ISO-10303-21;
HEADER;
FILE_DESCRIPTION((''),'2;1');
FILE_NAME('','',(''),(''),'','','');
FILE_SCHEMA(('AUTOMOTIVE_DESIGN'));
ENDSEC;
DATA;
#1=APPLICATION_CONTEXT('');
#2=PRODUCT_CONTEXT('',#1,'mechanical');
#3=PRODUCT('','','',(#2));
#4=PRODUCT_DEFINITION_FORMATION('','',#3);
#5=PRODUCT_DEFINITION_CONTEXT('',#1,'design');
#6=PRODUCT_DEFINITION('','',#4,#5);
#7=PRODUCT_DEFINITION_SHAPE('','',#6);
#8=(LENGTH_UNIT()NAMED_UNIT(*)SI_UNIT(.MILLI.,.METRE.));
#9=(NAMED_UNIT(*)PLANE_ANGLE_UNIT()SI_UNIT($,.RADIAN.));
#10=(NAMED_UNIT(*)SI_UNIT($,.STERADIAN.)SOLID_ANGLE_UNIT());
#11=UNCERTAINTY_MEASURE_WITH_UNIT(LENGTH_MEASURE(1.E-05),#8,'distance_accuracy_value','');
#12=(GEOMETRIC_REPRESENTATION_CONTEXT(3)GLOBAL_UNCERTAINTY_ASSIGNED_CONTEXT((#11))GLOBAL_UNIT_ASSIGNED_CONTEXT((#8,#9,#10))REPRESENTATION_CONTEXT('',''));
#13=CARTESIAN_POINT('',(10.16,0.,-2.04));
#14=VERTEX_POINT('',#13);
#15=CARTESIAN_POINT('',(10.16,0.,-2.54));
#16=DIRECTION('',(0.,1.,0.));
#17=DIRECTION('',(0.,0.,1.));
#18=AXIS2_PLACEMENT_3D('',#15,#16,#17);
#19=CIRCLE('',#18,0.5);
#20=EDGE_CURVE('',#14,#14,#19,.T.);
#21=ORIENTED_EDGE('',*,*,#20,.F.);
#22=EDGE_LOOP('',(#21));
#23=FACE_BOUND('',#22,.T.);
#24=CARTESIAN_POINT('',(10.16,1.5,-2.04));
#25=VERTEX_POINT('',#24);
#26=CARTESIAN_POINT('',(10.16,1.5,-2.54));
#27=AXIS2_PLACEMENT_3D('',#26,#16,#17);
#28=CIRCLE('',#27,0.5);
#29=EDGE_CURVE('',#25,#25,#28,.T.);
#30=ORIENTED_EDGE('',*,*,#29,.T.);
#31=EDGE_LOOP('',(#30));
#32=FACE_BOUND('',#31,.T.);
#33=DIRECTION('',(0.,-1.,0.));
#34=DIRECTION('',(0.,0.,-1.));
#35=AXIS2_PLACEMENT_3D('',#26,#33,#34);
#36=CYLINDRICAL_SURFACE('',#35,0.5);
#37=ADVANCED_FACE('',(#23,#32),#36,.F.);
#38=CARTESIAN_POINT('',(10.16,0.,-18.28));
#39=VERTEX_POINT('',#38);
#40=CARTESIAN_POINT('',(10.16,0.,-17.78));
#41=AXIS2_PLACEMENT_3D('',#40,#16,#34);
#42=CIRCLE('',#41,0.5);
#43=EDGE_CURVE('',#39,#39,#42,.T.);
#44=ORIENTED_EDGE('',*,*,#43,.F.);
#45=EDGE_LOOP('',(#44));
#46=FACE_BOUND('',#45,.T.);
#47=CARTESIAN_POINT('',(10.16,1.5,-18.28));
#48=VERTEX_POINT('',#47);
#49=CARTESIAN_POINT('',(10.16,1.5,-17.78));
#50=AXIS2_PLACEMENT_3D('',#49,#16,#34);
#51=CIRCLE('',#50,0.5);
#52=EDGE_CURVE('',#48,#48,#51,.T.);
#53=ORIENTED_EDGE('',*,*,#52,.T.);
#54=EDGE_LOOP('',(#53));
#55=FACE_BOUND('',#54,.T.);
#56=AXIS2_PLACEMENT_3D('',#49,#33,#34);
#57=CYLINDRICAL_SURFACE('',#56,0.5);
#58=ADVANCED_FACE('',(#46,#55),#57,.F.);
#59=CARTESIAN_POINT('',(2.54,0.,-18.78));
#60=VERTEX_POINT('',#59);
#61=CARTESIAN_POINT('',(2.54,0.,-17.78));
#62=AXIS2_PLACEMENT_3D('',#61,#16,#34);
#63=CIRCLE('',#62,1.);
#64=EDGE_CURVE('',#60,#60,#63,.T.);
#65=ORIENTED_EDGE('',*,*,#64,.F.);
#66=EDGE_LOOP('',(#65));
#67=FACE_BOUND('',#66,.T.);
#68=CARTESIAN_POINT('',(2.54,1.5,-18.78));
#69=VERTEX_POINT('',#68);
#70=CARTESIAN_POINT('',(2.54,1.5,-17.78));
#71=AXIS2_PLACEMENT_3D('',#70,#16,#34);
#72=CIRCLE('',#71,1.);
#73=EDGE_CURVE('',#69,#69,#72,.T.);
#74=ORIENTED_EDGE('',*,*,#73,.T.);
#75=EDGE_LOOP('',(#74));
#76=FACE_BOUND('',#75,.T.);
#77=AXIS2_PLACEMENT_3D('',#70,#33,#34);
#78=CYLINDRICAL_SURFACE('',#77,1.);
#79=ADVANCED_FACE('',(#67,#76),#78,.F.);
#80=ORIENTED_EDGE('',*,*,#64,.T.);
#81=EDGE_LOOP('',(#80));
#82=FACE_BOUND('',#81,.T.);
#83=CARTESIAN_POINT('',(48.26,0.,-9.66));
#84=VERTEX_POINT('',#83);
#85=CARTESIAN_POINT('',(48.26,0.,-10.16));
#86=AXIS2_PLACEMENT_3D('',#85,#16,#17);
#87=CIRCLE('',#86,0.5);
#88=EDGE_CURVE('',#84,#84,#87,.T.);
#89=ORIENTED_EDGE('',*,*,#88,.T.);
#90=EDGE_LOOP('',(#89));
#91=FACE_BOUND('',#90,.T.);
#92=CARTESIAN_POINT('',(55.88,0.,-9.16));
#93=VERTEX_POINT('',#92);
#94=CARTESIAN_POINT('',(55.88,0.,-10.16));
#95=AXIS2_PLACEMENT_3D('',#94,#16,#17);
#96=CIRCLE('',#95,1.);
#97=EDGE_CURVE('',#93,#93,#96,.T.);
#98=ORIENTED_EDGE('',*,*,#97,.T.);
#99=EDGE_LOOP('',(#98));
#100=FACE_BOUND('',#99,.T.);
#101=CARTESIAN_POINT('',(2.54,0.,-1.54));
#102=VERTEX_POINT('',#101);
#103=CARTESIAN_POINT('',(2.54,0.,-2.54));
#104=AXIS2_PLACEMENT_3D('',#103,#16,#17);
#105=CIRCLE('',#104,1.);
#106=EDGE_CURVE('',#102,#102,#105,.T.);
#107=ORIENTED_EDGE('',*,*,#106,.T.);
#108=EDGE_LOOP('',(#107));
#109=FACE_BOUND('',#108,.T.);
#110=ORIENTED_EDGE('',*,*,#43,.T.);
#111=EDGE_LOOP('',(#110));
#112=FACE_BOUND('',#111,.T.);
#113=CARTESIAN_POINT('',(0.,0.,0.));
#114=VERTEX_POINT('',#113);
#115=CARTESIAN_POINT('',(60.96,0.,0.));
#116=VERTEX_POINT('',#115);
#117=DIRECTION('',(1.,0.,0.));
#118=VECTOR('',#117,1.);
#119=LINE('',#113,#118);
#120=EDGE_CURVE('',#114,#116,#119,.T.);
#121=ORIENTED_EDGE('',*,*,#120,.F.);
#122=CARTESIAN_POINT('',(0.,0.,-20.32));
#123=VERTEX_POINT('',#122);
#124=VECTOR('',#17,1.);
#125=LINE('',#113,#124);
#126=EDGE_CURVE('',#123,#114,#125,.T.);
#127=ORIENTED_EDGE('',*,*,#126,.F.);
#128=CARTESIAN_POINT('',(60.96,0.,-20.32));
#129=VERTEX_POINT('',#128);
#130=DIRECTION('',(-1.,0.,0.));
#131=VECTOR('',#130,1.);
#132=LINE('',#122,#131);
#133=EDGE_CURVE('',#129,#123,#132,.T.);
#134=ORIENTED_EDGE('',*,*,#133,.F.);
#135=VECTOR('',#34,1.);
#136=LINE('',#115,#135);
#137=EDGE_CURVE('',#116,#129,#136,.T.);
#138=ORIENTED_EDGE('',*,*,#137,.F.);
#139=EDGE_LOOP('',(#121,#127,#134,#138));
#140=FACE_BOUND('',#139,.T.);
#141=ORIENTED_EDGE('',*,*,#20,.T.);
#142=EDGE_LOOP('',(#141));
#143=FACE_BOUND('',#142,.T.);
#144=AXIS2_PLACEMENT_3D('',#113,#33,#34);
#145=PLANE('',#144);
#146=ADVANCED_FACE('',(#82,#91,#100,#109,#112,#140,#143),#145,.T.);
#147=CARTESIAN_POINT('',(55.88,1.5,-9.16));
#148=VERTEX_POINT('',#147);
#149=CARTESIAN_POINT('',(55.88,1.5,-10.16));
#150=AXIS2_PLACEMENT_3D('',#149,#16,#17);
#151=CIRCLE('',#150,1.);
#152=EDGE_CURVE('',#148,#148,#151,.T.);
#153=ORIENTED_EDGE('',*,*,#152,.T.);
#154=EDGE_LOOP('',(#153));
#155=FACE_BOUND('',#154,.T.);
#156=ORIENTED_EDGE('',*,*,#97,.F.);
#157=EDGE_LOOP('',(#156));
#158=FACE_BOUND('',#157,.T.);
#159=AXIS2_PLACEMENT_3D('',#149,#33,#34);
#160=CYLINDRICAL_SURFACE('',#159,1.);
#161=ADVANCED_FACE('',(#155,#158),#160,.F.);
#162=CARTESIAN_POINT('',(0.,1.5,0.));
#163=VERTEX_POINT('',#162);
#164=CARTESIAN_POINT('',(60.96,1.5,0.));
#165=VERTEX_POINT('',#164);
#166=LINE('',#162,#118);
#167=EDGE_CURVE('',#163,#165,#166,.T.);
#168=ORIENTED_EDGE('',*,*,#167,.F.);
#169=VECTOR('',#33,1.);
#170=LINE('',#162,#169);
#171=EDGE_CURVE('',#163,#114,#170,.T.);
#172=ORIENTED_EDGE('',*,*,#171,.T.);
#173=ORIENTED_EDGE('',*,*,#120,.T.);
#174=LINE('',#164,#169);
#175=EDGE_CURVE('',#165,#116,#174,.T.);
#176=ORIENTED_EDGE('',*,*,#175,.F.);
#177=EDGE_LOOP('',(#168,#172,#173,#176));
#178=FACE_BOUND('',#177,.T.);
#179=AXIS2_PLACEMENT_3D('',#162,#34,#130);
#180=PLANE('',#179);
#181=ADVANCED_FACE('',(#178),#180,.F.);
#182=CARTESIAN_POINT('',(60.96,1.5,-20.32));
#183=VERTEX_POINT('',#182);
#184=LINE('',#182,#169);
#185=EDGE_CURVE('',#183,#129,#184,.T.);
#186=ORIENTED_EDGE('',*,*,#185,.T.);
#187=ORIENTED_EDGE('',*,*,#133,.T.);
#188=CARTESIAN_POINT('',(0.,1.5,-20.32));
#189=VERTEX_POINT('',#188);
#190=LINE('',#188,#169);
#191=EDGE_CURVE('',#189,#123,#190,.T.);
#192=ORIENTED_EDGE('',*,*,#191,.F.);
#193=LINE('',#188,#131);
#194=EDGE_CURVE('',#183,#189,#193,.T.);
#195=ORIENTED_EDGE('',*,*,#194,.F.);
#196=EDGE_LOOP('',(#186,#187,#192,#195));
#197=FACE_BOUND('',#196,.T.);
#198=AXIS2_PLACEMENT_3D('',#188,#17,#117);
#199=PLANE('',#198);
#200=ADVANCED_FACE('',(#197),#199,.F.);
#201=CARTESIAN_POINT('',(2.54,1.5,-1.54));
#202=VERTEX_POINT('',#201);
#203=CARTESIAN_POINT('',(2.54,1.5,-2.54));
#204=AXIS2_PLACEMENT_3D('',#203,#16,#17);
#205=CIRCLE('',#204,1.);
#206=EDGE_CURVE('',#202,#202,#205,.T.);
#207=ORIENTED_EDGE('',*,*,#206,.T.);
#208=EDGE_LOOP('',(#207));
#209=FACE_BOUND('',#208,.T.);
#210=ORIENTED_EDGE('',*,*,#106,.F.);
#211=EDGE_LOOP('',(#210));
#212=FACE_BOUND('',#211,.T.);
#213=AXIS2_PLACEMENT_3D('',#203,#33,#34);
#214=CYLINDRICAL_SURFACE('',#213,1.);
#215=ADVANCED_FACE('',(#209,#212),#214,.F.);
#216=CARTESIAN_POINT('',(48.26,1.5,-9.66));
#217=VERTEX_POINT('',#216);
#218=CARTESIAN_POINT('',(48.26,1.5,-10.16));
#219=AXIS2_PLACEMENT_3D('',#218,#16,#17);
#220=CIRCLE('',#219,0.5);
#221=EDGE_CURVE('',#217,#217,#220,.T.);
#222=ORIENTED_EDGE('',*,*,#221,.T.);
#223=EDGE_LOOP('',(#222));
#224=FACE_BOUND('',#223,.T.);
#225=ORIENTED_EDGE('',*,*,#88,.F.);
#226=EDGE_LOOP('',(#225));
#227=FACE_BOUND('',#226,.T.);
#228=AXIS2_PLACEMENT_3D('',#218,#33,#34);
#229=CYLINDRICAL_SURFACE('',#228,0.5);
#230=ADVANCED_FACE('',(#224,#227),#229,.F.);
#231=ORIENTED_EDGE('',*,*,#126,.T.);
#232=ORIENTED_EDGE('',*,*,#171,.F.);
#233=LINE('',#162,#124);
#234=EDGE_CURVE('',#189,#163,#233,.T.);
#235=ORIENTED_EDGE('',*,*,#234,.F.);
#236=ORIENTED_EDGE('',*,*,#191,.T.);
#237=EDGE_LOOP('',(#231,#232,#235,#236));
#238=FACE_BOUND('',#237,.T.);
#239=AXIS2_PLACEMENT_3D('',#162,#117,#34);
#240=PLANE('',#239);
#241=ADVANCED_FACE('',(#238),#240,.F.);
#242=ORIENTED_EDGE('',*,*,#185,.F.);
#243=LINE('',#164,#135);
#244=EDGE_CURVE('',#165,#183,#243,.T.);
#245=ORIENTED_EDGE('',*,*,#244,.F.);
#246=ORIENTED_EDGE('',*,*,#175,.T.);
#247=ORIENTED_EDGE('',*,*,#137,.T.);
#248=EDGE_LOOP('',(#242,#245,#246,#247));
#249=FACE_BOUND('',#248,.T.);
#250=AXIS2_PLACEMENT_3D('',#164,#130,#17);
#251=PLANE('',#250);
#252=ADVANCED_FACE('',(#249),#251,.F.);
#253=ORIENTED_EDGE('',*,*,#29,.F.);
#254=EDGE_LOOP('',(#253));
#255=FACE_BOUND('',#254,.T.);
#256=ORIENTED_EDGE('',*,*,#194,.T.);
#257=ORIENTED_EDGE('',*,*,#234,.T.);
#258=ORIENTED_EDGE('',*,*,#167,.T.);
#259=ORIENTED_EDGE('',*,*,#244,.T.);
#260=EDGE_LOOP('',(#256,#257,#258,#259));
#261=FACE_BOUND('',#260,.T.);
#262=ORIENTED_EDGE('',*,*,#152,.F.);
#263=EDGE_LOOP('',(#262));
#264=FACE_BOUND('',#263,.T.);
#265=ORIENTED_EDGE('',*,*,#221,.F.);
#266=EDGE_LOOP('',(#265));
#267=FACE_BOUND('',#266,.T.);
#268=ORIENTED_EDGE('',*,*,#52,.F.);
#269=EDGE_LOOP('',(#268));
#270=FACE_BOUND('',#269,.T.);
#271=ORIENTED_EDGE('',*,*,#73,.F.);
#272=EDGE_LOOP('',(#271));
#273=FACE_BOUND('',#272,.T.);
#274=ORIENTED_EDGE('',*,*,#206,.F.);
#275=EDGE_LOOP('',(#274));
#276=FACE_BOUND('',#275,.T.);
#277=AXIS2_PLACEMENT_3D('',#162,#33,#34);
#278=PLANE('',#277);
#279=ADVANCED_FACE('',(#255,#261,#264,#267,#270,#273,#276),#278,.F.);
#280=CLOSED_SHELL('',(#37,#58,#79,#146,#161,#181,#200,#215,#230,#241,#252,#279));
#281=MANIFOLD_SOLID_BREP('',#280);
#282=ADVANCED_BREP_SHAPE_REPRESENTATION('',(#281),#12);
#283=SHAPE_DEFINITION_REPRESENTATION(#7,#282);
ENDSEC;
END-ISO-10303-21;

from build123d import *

# Parameters (mm, degrees)
SKETCH1_W           = 60.96
SKETCH1_H           = 20.32
SKETCH1_R           = 1
SKETCH1_R_2         = 0.5
BOSS_EXTRUDE1_DEPTH = 1.5


with BuildPart() as part:
    # Sketch1 → Boss-Extrude1 (new body)
    with BuildSketch(Plane(origin=(0, 0, 0), x_dir=(1, 0, 0), z_dir=(0, 1, 0))):
        with Locations((30.48, 10.16)):
            Rectangle(SKETCH1_W, SKETCH1_H)
        with Locations(Location((2.54, 2.54, 0), (0, 0, 270))):  # turned: the seam where the file's is
            Circle(SKETCH1_R, mode=Mode.SUBTRACT)
        with Locations(Location((55.88, 10.16, 0), (0, 0, 270))):  # turned: the seam where the file's is
            Circle(SKETCH1_R, mode=Mode.SUBTRACT)
        with Locations(Location((2.54, 17.78, 0), (0, 0, 90))):  # turned: the seam where the file's is
            Circle(SKETCH1_R, mode=Mode.SUBTRACT)
        with Locations(Location((10.16, 2.54, 0), (0, 0, 270))):  # turned: the seam where the file's is
            Circle(SKETCH1_R_2, mode=Mode.SUBTRACT)
        with Locations(Location((48.26, 10.16, 0), (0, 0, 270))):  # turned: the seam where the file's is
            Circle(SKETCH1_R_2, mode=Mode.SUBTRACT)
        with Locations(Location((10.16, 17.78, 0), (0, 0, 90))):  # turned: the seam where the file's is
            Circle(SKETCH1_R_2, mode=Mode.SUBTRACT)
    extrude(amount=BOSS_EXTRUDE1_DEPTH)


solid = part.part
